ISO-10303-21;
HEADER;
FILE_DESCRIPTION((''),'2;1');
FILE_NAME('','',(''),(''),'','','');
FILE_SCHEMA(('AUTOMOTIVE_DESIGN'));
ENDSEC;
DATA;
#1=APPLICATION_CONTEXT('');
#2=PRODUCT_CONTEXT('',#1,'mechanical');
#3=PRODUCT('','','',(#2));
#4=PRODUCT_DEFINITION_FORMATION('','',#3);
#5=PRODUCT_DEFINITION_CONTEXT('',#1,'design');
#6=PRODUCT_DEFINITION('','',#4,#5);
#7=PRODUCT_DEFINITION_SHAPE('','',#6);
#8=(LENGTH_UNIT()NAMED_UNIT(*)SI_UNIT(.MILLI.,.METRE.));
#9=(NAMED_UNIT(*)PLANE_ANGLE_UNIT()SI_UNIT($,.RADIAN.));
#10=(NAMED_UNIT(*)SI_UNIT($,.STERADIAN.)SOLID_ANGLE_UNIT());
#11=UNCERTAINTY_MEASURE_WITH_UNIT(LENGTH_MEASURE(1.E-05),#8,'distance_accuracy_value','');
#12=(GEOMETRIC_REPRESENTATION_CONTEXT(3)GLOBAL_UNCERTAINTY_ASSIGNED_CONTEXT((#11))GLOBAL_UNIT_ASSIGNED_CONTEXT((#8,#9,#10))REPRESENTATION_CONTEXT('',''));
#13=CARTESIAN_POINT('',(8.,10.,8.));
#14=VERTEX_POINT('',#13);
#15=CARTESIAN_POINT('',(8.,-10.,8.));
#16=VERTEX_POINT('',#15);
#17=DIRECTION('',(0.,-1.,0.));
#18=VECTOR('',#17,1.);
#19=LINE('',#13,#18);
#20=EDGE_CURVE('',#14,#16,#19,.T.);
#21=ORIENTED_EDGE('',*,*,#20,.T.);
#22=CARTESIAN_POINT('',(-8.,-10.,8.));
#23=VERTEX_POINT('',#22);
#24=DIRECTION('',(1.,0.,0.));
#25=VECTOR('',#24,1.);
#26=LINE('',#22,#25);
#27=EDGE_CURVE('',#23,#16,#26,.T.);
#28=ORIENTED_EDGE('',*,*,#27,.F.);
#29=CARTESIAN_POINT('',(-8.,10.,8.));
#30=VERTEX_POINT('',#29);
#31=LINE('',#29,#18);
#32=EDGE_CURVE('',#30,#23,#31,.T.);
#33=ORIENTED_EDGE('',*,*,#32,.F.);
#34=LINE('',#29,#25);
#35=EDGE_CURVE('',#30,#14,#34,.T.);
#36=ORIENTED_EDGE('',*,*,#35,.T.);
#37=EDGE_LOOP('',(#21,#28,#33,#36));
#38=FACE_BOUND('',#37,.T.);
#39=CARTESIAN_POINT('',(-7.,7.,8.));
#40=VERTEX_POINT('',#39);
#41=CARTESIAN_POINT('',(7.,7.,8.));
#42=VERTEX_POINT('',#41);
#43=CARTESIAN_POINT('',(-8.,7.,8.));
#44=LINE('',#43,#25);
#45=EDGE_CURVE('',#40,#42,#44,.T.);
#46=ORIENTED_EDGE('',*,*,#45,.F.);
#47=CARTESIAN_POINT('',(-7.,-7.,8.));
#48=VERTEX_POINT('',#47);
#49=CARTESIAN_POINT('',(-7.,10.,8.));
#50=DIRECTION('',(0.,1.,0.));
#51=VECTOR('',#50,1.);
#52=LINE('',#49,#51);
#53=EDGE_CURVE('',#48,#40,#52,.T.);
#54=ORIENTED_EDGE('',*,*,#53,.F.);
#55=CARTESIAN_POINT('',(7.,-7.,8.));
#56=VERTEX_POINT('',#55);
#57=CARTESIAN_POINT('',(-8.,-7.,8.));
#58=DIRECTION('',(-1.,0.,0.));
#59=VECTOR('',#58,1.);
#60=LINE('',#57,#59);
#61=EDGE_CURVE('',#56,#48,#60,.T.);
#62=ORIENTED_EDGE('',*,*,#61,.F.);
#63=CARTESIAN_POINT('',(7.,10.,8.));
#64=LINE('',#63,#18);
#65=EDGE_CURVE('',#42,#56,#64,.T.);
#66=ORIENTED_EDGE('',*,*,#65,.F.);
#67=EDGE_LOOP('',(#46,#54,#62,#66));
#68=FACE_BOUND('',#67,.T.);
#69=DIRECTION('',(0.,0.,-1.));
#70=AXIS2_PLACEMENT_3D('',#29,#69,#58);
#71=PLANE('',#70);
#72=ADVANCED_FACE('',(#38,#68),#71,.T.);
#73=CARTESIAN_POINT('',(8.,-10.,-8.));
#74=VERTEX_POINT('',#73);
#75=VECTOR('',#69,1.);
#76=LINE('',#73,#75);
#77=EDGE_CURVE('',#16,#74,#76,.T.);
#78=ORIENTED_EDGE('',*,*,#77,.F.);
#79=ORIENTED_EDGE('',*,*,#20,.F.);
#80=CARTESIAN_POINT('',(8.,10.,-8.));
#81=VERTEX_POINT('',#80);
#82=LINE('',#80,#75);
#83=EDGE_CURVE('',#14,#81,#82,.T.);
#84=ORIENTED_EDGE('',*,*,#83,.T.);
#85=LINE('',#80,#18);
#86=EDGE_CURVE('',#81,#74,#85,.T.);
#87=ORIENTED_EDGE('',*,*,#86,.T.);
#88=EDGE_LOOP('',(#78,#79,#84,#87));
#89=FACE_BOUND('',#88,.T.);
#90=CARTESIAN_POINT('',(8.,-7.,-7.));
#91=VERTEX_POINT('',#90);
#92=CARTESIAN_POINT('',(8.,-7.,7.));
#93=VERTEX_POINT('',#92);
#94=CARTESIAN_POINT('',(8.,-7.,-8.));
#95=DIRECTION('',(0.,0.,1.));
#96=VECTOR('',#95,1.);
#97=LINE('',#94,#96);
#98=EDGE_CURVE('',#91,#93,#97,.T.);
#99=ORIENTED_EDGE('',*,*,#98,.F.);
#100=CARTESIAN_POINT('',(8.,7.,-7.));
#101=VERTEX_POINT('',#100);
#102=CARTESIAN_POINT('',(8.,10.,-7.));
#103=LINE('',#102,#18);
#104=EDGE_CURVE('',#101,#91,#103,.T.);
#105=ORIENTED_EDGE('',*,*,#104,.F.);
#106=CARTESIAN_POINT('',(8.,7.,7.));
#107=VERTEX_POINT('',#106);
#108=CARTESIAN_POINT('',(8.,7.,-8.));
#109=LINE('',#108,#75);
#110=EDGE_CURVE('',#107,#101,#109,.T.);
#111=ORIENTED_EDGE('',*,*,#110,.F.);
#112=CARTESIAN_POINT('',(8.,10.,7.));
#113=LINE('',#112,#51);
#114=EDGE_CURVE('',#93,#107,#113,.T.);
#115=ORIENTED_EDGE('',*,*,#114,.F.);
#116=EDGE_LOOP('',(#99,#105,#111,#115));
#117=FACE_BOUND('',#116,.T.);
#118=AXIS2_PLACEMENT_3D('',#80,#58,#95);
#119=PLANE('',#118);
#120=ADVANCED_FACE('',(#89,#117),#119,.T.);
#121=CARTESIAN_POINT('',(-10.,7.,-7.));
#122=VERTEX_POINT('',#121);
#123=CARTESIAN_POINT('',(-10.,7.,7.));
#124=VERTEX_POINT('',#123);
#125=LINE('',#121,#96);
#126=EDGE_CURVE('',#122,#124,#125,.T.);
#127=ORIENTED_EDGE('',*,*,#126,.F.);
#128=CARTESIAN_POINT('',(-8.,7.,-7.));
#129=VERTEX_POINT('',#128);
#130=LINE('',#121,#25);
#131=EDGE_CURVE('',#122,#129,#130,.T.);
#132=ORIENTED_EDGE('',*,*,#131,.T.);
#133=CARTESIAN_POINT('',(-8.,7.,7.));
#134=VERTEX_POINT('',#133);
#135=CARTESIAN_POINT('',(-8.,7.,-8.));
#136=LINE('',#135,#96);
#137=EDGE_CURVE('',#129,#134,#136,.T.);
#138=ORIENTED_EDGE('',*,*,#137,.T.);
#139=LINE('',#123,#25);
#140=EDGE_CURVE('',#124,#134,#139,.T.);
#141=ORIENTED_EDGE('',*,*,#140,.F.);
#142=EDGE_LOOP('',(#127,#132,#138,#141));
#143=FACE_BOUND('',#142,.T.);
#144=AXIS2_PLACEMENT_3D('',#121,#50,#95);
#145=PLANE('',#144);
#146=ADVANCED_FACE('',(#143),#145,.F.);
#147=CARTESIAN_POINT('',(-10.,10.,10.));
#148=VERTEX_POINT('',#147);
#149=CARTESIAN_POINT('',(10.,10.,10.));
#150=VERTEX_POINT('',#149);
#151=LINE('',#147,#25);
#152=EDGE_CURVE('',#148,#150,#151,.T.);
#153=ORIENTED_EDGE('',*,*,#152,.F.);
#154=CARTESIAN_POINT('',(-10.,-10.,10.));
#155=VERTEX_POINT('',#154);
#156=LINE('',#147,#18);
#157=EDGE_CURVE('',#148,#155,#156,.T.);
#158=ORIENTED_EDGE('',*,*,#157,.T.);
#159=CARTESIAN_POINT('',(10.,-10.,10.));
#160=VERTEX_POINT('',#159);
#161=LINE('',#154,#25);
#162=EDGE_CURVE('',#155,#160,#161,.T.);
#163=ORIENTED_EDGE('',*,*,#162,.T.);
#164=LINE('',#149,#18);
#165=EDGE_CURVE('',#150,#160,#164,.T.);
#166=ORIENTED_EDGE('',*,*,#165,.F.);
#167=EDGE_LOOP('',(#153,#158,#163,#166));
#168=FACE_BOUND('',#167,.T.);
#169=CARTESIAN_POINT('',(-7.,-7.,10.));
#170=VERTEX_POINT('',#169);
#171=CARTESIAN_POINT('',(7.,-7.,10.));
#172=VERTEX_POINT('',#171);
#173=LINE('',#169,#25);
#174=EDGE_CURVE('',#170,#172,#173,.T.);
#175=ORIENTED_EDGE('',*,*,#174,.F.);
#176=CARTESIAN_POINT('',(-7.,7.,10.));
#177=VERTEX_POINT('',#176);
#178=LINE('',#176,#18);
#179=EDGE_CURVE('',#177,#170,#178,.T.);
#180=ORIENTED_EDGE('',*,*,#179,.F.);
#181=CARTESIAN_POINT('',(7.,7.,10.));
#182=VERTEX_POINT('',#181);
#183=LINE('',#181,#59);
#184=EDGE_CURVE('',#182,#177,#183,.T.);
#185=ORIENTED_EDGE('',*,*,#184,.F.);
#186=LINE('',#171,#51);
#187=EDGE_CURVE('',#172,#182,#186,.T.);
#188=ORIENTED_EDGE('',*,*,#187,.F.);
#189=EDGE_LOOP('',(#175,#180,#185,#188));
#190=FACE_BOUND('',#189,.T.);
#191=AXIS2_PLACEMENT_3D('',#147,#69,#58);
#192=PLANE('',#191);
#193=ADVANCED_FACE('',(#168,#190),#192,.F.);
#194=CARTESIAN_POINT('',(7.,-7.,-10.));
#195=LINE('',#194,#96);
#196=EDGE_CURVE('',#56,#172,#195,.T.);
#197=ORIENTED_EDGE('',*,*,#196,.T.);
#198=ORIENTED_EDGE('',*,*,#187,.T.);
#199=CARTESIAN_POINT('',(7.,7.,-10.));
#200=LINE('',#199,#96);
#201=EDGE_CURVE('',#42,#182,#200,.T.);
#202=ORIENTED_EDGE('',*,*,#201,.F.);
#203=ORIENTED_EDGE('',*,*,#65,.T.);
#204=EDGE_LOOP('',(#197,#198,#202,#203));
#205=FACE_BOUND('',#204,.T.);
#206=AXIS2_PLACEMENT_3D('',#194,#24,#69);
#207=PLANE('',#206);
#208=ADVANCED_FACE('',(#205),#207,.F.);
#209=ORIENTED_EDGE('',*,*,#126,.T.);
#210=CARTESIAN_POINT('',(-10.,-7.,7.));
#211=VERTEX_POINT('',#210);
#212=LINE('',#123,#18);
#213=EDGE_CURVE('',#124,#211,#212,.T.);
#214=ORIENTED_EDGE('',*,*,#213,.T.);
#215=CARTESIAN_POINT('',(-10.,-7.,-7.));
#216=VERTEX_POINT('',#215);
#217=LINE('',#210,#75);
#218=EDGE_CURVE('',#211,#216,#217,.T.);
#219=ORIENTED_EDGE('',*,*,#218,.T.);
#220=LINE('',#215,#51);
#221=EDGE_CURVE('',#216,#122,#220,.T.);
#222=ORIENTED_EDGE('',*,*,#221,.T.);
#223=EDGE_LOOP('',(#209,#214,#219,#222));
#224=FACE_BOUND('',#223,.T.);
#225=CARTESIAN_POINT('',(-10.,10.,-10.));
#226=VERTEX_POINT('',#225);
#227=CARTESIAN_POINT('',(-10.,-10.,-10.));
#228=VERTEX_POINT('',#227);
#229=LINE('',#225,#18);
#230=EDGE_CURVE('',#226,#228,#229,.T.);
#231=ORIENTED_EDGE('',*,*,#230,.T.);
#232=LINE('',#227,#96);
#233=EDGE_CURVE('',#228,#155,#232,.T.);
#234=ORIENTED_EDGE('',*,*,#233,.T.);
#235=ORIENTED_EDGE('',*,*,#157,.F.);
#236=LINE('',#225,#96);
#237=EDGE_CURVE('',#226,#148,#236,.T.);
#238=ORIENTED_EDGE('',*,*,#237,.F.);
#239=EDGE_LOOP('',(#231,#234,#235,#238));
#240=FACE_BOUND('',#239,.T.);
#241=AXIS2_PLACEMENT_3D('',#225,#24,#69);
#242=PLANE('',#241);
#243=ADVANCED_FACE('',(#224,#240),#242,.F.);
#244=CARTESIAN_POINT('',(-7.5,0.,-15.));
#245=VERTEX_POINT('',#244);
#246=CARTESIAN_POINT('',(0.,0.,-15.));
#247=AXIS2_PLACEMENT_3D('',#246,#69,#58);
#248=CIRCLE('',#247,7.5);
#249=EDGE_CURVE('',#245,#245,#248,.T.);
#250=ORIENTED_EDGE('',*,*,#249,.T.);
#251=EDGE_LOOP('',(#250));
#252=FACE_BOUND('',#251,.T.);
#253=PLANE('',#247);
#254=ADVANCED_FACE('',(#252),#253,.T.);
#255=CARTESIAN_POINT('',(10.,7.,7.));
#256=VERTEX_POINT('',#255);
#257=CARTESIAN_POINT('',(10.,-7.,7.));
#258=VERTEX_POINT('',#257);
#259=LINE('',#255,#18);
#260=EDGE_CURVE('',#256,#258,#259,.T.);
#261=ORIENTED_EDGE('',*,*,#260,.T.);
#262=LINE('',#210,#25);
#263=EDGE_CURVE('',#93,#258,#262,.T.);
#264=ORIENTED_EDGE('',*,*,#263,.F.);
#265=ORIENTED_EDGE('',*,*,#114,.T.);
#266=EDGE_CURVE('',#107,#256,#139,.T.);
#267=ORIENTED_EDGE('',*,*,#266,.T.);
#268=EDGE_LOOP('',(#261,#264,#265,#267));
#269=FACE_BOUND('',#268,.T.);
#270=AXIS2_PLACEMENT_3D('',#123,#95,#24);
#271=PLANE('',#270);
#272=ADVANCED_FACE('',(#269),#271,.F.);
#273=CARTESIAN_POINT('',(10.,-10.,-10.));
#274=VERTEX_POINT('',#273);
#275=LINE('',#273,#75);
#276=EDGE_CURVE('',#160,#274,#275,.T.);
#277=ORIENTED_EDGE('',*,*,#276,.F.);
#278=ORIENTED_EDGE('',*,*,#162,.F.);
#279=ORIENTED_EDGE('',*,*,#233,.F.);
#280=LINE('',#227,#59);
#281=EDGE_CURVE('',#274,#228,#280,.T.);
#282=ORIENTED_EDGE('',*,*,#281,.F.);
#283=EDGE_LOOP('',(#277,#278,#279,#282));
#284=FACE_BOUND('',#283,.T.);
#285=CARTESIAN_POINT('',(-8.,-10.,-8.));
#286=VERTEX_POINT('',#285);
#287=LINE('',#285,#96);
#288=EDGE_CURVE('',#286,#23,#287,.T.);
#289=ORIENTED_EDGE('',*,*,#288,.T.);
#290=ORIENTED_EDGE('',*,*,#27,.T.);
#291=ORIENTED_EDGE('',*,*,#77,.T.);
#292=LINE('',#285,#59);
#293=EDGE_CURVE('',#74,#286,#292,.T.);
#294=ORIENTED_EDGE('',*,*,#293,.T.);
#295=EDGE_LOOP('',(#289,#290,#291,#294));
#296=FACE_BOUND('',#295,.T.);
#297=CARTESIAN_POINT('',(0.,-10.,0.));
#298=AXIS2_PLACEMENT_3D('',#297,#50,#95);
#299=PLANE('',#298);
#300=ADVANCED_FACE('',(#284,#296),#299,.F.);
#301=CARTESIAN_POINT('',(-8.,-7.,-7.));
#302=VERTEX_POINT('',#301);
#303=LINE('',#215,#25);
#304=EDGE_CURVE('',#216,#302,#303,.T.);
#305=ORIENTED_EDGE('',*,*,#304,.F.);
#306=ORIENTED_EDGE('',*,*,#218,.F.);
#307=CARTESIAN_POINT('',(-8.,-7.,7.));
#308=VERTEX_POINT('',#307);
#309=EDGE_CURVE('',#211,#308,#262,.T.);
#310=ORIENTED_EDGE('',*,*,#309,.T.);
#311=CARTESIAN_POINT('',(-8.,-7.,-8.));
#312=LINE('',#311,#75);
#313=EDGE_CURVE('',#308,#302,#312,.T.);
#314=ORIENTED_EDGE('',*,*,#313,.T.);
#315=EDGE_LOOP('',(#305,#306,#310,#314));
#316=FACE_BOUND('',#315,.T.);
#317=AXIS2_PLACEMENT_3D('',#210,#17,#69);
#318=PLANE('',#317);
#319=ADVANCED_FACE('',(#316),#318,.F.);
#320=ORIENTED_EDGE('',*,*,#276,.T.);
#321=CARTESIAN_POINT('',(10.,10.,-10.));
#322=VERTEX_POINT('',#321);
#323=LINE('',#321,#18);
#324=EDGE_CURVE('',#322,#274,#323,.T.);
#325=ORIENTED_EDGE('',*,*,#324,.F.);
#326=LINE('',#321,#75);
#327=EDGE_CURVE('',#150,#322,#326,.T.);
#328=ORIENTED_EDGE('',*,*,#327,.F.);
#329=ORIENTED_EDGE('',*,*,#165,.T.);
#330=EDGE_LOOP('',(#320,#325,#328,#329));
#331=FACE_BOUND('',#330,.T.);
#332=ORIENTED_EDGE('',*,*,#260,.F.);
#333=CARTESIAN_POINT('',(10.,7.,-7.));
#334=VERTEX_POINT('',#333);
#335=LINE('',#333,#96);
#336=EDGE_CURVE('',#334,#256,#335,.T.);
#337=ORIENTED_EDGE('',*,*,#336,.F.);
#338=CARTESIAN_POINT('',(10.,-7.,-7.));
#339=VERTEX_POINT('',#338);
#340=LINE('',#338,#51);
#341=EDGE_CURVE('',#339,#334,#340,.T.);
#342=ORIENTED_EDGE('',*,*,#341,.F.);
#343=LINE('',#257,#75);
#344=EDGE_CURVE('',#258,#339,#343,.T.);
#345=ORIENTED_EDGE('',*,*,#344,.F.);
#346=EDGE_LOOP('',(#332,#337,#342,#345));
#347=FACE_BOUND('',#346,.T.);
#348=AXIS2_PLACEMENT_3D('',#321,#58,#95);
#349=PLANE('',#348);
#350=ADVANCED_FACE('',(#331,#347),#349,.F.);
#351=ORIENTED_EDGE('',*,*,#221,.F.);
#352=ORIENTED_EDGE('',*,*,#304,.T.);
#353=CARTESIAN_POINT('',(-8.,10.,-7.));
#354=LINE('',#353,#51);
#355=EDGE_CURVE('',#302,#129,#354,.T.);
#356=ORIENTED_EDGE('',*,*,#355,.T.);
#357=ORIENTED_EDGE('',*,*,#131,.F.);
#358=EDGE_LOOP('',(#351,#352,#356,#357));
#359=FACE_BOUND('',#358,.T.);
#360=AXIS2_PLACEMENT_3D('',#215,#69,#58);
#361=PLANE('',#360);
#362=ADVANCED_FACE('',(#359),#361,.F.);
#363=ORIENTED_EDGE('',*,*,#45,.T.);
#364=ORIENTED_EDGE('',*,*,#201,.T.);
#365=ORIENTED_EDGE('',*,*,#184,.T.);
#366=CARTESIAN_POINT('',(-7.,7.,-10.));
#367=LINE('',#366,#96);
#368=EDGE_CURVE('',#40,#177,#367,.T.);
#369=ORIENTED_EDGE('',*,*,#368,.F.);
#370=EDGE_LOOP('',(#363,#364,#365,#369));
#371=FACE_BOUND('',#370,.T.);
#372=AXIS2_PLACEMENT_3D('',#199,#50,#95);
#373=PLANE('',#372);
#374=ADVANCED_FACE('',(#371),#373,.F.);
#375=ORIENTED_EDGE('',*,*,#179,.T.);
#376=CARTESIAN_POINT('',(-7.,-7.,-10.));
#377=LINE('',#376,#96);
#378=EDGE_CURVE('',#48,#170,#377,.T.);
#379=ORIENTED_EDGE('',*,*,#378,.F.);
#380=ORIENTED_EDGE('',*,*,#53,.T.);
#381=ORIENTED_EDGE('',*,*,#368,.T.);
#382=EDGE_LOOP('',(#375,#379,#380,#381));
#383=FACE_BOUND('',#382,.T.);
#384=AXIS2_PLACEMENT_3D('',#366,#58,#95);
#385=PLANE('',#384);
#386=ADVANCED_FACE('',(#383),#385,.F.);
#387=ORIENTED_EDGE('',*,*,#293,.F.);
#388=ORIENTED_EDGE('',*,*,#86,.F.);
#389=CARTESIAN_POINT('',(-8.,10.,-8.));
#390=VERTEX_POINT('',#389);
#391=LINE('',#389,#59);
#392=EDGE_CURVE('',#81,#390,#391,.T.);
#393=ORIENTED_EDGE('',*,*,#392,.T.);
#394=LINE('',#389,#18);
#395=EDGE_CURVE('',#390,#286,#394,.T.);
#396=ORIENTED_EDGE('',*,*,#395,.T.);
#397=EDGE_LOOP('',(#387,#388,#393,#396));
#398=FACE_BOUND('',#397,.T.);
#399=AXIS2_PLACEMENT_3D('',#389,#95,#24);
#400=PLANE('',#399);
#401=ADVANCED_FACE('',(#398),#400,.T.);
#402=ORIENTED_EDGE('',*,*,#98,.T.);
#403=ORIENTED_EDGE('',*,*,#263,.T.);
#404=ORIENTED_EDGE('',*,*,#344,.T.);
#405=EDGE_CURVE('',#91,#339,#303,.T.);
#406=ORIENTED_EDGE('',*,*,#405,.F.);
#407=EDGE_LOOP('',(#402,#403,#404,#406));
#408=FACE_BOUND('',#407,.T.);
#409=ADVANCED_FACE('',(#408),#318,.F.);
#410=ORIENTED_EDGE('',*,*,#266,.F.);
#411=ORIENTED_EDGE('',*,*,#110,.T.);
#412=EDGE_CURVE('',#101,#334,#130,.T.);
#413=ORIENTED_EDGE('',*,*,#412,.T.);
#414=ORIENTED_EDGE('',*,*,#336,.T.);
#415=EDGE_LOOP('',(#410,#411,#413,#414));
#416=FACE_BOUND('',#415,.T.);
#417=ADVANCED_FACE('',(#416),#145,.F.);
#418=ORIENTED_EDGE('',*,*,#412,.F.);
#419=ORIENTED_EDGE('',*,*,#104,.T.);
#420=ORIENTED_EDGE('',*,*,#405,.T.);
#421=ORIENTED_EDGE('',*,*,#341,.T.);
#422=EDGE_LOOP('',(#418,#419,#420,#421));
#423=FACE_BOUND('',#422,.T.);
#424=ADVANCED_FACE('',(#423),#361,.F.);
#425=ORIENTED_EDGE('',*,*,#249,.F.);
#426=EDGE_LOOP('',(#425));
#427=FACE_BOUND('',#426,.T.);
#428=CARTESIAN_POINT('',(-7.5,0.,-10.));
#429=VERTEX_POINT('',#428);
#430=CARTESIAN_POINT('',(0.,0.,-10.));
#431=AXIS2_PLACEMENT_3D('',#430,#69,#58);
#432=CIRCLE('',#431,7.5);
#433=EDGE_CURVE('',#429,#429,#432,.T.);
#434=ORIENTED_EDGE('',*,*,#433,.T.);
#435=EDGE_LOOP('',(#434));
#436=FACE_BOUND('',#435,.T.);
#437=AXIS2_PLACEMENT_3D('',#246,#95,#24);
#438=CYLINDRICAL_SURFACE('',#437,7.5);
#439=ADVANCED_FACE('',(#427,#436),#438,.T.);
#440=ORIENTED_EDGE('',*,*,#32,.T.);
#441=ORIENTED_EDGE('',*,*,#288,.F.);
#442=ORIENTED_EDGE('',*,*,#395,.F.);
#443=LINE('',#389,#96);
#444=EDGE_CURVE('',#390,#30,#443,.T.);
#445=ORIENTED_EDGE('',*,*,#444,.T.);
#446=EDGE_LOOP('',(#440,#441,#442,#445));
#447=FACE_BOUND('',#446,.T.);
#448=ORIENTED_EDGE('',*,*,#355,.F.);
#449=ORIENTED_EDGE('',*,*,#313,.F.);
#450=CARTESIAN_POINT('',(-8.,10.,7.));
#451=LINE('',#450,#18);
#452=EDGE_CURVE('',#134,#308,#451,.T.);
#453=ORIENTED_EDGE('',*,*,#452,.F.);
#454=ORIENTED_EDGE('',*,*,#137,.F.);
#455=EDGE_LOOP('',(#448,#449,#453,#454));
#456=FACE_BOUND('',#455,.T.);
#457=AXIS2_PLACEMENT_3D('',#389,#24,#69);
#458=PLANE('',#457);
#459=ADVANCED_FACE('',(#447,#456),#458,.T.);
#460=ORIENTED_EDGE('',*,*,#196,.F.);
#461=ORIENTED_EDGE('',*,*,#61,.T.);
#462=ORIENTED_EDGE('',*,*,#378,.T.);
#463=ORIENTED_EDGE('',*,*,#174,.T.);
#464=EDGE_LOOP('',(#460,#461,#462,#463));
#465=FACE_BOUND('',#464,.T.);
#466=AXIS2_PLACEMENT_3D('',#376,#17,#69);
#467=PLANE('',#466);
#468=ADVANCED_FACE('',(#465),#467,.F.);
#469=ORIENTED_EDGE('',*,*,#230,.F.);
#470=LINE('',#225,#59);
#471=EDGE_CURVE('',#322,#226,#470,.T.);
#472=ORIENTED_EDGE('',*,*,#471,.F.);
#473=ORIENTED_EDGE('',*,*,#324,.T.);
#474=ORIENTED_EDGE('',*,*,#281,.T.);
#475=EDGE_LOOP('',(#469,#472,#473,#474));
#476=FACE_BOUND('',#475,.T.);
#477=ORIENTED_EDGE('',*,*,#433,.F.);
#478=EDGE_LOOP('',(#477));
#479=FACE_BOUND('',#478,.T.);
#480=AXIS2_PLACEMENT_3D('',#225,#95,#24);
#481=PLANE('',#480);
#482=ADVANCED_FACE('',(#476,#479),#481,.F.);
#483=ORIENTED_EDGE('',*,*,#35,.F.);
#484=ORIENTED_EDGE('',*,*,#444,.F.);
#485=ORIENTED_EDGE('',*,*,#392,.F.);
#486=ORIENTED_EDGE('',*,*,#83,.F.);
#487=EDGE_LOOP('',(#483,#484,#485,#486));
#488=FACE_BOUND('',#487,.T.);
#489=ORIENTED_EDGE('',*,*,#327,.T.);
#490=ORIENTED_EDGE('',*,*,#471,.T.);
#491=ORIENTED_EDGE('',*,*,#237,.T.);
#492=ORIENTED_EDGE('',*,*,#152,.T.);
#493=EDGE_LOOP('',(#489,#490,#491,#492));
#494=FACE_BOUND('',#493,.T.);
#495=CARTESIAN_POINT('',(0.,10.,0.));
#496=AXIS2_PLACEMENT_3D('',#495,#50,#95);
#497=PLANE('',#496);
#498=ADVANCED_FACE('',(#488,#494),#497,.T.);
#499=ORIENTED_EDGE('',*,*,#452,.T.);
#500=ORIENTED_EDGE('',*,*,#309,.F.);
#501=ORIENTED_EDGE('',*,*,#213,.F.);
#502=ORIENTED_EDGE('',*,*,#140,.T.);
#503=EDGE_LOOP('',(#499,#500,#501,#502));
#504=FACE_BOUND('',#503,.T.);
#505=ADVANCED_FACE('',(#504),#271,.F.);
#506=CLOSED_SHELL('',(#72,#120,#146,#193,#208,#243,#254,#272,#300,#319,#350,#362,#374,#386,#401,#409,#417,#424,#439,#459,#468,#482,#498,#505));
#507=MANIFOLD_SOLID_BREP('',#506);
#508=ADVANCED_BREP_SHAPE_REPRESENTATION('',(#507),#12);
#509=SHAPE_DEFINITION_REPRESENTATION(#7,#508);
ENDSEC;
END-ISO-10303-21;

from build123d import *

# Parameters (mm, degrees)
SKETCH1_W           = 20
SKETCH1_H           = 20
SKETCH1_W_2         = 16
SKETCH1_H_2         = 16
BOSS_EXTRUDE1_DEPTH = 10
SKETCH2_W           = 14
SKETCH2_H           = 14
CUT_EXTRUDE1_DEPTH  = 21
SKETCH3_W           = 14
SKETCH3_H           = 14
CUT_EXTRUDE2_DEPTH  = 21
SKETCH4_W           = 2
SKETCH4_H           = 14
BOSS_EXTRUDE2_DEPTH = 14
SKETCH5_R           = 7.5
BOSS_EXTRUDE3_DEPTH = 5


with BuildPart() as part:
    # Sketch1 → Boss-Extrude1 (new body, symmetric)
    with BuildSketch(Plane(origin=(0, 0, 0), x_dir=(1, 0, 0), z_dir=(0, 1, 0))):
        Rectangle(SKETCH1_W, SKETCH1_H)
        Rectangle(SKETCH1_W_2, SKETCH1_H_2, mode=Mode.SUBTRACT)
    extrude(amount=BOSS_EXTRUDE1_DEPTH, both=True)

    # Sketch2 → Cut-Extrude1 (cut, through all)
    with BuildSketch(Plane.XY.offset(10)):
        Rectangle(SKETCH2_W, SKETCH2_H)
    extrude(amount=-CUT_EXTRUDE1_DEPTH, mode=Mode.SUBTRACT)

    # Sketch3 → Cut-Extrude2 (cut, through all)
    with BuildSketch(Plane(origin=(10, 0, 0), x_dir=(0, 0, -1), z_dir=(1, 0, 0))):
        Rectangle(SKETCH3_W, SKETCH3_H)
    extrude(amount=-CUT_EXTRUDE2_DEPTH, mode=Mode.SUBTRACT)

    # Sketch4 → Boss-Extrude2 (add)
    with BuildSketch(Plane(origin=(-7, 0, 0), x_dir=(0, 0, -1), z_dir=(1, 0, 0))):
        with Locations((9, 0)):
            Rectangle(SKETCH4_W, SKETCH4_H)
    extrude(amount=BOSS_EXTRUDE2_DEPTH)

    # Sketch5 → Boss-Extrude3 (add)
    with BuildSketch(Plane(origin=(0, 0, -10), x_dir=(-1, 0, 0), z_dir=(0, 0, -1))):
        Circle(SKETCH5_R)
    extrude(amount=BOSS_EXTRUDE3_DEPTH)


solid = part.part
